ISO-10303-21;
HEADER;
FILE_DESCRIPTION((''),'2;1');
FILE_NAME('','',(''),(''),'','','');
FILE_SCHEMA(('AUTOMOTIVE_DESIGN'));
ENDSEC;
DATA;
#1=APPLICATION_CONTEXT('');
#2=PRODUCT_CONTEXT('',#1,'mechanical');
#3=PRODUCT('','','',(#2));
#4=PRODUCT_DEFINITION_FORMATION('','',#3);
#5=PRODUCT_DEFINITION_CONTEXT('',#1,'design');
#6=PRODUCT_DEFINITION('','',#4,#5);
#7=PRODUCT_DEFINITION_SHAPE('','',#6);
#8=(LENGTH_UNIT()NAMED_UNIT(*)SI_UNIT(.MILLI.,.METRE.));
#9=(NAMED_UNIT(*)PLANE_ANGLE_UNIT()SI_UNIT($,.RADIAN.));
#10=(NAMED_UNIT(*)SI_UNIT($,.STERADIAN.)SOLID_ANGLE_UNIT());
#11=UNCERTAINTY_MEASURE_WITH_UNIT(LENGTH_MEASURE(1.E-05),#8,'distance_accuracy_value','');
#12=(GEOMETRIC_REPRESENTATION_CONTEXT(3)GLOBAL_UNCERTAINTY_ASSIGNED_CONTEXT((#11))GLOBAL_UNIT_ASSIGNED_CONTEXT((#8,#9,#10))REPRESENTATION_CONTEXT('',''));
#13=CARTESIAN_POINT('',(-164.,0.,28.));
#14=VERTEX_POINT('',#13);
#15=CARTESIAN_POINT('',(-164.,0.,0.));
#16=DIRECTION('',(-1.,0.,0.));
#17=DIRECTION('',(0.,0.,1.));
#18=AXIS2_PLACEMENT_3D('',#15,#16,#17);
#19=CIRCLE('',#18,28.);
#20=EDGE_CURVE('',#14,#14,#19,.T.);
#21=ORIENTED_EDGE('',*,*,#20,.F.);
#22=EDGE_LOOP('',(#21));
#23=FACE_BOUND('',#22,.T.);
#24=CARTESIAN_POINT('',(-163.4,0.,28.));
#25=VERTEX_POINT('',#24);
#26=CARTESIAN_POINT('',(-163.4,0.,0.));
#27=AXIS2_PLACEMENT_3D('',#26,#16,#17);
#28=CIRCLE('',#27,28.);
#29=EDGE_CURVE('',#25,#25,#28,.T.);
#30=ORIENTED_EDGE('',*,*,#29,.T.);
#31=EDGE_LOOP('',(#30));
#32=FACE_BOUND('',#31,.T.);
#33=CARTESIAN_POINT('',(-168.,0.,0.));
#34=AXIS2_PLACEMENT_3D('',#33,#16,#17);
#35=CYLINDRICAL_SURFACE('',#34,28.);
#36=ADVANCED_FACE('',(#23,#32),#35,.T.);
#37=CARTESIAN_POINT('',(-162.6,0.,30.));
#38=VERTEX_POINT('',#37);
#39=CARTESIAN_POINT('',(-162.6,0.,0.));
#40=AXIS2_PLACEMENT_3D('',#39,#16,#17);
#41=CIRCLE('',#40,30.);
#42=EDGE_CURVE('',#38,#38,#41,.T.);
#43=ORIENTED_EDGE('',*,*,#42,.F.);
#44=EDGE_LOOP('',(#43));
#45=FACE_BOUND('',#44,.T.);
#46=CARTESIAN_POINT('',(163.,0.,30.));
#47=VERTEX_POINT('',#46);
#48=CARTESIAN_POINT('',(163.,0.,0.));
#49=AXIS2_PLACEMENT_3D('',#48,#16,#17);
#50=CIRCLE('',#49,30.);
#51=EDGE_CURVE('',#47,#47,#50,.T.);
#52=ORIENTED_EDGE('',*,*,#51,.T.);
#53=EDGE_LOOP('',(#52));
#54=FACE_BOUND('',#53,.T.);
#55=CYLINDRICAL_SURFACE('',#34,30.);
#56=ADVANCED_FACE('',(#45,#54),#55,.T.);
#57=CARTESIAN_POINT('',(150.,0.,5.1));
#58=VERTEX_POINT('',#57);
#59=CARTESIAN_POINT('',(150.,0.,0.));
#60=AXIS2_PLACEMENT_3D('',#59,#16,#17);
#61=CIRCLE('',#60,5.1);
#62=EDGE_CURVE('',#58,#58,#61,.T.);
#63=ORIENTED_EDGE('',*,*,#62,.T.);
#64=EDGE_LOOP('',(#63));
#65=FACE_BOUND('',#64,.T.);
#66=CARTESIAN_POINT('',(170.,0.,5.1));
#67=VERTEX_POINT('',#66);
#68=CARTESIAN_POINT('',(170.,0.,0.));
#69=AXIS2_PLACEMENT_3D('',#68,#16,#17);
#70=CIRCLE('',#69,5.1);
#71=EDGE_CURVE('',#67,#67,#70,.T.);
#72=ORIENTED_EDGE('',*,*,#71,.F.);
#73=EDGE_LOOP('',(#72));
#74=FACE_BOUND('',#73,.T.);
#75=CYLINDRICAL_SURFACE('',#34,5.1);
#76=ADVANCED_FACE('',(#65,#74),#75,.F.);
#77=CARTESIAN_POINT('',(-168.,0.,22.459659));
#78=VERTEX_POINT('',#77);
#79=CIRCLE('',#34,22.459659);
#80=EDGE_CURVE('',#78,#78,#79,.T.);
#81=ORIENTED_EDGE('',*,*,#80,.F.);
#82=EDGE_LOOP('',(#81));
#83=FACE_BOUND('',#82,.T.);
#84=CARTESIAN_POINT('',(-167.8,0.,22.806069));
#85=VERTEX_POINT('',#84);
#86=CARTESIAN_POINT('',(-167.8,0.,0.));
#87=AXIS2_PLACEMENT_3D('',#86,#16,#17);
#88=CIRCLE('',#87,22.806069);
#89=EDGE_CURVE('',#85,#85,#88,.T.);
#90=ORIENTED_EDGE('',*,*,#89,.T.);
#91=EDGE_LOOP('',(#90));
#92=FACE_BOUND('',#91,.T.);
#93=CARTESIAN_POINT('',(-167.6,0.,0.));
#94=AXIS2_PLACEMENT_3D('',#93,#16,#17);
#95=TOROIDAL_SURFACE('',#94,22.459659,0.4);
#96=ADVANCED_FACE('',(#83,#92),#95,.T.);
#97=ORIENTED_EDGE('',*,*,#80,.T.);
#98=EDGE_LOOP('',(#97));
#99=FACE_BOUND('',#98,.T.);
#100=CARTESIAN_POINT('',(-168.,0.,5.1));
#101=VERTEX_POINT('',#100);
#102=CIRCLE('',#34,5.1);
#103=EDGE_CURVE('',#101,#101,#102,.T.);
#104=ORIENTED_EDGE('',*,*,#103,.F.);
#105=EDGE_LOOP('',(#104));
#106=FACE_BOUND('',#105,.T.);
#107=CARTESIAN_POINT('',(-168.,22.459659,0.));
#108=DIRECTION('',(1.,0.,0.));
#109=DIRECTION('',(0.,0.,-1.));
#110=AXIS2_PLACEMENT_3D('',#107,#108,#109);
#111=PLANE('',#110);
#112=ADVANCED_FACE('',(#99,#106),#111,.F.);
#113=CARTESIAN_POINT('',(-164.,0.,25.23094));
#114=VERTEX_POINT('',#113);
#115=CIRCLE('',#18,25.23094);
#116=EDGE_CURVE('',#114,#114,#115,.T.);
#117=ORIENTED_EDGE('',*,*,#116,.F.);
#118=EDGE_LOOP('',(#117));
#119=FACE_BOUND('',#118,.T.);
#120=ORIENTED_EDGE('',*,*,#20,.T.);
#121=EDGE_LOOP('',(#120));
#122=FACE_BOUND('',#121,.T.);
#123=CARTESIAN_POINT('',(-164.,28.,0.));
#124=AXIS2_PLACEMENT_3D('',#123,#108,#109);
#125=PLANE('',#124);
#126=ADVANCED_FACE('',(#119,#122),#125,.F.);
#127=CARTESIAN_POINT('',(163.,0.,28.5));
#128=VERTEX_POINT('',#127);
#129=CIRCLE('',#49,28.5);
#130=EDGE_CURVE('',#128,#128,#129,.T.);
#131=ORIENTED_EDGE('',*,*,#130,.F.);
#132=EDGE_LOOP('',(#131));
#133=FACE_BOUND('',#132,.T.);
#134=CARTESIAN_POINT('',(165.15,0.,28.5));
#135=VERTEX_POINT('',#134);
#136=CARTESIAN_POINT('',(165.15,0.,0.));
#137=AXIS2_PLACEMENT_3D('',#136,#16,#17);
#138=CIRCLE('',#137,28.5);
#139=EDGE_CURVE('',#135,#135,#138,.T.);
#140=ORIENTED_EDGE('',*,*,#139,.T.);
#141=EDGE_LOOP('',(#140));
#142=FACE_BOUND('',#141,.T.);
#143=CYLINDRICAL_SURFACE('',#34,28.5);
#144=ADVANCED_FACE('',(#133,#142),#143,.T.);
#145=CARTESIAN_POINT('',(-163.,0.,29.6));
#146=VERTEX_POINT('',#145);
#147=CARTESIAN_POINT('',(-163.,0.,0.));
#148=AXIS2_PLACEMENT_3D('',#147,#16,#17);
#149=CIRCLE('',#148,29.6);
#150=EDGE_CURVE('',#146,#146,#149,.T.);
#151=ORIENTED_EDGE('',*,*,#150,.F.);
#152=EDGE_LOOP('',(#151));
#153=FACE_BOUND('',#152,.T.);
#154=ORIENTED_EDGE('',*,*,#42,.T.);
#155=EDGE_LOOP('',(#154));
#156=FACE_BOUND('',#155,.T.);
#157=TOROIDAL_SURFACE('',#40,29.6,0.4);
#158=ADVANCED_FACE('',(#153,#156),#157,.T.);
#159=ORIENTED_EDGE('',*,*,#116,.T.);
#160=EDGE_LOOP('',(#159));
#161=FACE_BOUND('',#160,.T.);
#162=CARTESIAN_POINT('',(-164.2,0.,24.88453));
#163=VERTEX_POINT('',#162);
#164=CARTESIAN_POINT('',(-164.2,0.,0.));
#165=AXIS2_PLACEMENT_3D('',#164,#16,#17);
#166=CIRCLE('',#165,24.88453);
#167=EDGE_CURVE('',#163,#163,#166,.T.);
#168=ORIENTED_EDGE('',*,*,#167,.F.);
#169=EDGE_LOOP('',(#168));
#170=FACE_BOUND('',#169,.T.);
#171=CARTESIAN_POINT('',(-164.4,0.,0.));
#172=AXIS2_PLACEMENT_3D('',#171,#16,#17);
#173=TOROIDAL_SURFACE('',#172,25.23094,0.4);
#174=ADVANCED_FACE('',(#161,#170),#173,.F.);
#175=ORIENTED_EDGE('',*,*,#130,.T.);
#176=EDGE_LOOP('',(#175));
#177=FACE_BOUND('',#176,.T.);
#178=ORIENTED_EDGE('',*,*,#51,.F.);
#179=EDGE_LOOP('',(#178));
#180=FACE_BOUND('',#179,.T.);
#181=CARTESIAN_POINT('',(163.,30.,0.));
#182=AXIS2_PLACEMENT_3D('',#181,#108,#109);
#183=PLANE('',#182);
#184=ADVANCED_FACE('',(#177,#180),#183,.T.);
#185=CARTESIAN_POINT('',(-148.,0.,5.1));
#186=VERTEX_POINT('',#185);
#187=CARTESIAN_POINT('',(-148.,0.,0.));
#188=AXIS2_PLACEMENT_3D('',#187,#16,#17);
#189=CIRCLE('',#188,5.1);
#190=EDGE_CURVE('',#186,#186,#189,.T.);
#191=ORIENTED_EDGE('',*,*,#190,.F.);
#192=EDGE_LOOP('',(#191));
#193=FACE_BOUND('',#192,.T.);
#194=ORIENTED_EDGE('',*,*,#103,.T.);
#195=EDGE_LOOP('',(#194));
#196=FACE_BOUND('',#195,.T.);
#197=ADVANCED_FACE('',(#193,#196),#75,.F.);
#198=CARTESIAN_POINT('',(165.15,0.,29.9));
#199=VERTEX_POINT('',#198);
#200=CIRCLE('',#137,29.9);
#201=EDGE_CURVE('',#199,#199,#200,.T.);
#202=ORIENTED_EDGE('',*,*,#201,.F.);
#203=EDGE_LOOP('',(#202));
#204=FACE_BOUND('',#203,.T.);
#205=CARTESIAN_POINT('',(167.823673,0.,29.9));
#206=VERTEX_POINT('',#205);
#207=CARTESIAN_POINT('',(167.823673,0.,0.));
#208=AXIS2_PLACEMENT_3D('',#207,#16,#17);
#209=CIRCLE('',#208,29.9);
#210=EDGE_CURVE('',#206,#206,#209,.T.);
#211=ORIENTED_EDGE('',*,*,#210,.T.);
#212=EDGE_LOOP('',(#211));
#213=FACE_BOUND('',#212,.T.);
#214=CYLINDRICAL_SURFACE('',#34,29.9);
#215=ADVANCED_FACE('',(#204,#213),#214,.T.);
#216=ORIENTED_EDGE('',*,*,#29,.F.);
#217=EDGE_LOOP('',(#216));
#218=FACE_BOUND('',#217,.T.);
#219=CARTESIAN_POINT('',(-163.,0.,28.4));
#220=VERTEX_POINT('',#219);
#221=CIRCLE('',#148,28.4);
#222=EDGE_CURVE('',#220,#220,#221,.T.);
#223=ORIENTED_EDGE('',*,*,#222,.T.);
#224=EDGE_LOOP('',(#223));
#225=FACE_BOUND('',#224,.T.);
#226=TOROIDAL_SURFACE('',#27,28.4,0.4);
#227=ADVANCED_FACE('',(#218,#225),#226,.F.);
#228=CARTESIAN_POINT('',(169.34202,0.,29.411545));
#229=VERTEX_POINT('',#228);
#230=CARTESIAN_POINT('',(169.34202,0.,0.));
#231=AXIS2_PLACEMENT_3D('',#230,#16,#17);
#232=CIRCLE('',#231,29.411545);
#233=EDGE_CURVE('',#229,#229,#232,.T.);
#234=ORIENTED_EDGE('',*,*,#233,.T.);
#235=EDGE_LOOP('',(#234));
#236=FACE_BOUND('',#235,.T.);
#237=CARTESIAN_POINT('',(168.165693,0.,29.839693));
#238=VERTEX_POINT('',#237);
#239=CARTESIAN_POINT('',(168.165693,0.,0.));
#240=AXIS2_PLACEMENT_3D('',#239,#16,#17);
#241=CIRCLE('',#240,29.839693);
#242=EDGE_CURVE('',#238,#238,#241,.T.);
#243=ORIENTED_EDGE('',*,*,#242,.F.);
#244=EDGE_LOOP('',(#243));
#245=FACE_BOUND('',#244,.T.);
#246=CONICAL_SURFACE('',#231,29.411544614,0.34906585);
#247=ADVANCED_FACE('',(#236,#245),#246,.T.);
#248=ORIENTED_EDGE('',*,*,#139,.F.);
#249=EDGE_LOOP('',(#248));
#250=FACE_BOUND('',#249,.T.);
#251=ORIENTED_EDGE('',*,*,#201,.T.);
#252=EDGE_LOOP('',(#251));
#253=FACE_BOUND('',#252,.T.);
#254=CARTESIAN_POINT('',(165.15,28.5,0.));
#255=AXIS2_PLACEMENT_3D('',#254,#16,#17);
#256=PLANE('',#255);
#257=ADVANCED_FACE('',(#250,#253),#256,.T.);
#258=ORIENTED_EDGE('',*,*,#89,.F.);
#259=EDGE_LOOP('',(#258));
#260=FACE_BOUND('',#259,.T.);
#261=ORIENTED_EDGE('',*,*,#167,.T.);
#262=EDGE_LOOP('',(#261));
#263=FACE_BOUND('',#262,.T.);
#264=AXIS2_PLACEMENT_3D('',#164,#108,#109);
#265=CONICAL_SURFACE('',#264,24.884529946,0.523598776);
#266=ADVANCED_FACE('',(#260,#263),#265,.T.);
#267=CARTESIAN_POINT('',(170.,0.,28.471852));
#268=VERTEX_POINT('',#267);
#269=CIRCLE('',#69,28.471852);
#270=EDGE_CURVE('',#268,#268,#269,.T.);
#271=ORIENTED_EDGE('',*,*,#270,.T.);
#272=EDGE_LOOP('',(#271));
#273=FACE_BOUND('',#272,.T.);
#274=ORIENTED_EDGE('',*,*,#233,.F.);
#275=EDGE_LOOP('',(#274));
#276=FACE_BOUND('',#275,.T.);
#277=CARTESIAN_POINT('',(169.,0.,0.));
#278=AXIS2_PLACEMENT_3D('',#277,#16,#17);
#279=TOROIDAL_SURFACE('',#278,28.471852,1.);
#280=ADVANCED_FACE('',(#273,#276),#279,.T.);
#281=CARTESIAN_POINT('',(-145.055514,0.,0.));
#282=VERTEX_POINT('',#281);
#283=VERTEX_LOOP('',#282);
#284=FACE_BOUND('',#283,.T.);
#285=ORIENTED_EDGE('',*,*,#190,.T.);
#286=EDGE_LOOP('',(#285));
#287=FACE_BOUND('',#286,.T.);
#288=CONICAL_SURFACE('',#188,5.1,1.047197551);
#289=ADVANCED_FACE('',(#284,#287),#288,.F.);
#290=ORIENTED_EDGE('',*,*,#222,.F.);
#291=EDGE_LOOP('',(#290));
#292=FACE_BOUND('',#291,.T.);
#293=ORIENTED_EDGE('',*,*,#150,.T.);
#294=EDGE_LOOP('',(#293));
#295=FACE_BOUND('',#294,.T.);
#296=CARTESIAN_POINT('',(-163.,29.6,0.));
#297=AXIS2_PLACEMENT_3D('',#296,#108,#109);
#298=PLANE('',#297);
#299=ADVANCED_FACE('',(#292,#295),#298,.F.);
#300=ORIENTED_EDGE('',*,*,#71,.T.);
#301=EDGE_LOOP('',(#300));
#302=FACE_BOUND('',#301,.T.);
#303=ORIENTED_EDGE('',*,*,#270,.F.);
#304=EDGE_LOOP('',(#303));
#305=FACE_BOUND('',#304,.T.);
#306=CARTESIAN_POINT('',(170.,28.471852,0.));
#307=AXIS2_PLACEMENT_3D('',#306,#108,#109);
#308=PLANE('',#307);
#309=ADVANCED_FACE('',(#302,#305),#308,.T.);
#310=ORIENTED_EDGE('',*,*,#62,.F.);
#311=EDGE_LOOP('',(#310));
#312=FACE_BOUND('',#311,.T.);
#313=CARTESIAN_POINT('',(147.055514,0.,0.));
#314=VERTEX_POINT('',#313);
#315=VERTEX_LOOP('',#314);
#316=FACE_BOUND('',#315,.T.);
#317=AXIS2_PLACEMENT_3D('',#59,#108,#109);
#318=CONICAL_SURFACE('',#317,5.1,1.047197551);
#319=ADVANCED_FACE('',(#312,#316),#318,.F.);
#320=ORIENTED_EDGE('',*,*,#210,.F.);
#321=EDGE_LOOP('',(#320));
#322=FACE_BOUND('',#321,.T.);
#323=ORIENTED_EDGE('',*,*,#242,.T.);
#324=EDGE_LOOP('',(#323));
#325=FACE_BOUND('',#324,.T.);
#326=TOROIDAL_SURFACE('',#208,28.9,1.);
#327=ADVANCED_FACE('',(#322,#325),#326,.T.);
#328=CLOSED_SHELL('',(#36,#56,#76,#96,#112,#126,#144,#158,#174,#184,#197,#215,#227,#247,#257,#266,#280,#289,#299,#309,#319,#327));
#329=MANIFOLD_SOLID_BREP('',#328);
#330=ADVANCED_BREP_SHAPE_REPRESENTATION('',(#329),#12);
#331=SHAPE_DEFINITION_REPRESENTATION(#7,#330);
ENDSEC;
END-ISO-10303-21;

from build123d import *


with BuildPart() as part:
    # Sketch1 → Base-Revolve (revolve)
    with BuildSketch(Plane.XY):
        with BuildLine():
            Line((163, 30), (0, 30))
            Line((0, 30), (-162.6, 30))
            ThreePointArc((-162.6, 30), (-162.882842712, 29.882842712), (-163, 29.6))
            Line((-163, 29.6), (-163, 28.4))
            ThreePointArc((-163, 28.4), (-163.117157288, 28.117157288), (-163.4, 28))
            Line((-163.4, 28), (-164, 28))
            Line((-164, 28), (-164, 25.230940108))
            ThreePointArc((-164, 25.230940108), (-164.053589838, 25.030940108), (-164.2, 24.884529946))
            Line((-164.2, 24.884529946), (-167.8, 22.806068977))
            ThreePointArc((-167.8, 22.806068977), (-167.946410162, 22.659658816), (-168, 22.459658816))
            Line((-168, 22.459658816), (-168, 5.1))
            Line((-168, 5.1), (-148, 5.1))
            Line((-148, 5.1), (-145.055513627, 0))
            Line((-145.055513627, 0), (147.055513627, 0))
            Line((147.055513627, 0), (150, 5.1))
            Line((150, 5.1), (170, 5.1))
            Line((170, 5.1), (170, 28.471851993))
            ThreePointArc((170, 28.471851993), (169.819152044, 29.04542843), (169.342020143, 29.411544614))
            Line((169.342020143, 29.411544614), (168.165693163, 29.839692621))
            ThreePointArc((168.165693163, 29.839692621), (167.997321197, 29.884807753), (167.823673019, 29.9))
            Line((167.823673019, 29.9), (165.15, 29.9))
            Line((165.15, 29.9), (165.15, 28.5))
            Line((165.15, 28.5), (163, 28.5))
            Line((163, 28.5), (163, 30))
        make_face()
    revolve(axis=Axis((-168, 0, 0), (1, 0, 0)))


solid = part.part
